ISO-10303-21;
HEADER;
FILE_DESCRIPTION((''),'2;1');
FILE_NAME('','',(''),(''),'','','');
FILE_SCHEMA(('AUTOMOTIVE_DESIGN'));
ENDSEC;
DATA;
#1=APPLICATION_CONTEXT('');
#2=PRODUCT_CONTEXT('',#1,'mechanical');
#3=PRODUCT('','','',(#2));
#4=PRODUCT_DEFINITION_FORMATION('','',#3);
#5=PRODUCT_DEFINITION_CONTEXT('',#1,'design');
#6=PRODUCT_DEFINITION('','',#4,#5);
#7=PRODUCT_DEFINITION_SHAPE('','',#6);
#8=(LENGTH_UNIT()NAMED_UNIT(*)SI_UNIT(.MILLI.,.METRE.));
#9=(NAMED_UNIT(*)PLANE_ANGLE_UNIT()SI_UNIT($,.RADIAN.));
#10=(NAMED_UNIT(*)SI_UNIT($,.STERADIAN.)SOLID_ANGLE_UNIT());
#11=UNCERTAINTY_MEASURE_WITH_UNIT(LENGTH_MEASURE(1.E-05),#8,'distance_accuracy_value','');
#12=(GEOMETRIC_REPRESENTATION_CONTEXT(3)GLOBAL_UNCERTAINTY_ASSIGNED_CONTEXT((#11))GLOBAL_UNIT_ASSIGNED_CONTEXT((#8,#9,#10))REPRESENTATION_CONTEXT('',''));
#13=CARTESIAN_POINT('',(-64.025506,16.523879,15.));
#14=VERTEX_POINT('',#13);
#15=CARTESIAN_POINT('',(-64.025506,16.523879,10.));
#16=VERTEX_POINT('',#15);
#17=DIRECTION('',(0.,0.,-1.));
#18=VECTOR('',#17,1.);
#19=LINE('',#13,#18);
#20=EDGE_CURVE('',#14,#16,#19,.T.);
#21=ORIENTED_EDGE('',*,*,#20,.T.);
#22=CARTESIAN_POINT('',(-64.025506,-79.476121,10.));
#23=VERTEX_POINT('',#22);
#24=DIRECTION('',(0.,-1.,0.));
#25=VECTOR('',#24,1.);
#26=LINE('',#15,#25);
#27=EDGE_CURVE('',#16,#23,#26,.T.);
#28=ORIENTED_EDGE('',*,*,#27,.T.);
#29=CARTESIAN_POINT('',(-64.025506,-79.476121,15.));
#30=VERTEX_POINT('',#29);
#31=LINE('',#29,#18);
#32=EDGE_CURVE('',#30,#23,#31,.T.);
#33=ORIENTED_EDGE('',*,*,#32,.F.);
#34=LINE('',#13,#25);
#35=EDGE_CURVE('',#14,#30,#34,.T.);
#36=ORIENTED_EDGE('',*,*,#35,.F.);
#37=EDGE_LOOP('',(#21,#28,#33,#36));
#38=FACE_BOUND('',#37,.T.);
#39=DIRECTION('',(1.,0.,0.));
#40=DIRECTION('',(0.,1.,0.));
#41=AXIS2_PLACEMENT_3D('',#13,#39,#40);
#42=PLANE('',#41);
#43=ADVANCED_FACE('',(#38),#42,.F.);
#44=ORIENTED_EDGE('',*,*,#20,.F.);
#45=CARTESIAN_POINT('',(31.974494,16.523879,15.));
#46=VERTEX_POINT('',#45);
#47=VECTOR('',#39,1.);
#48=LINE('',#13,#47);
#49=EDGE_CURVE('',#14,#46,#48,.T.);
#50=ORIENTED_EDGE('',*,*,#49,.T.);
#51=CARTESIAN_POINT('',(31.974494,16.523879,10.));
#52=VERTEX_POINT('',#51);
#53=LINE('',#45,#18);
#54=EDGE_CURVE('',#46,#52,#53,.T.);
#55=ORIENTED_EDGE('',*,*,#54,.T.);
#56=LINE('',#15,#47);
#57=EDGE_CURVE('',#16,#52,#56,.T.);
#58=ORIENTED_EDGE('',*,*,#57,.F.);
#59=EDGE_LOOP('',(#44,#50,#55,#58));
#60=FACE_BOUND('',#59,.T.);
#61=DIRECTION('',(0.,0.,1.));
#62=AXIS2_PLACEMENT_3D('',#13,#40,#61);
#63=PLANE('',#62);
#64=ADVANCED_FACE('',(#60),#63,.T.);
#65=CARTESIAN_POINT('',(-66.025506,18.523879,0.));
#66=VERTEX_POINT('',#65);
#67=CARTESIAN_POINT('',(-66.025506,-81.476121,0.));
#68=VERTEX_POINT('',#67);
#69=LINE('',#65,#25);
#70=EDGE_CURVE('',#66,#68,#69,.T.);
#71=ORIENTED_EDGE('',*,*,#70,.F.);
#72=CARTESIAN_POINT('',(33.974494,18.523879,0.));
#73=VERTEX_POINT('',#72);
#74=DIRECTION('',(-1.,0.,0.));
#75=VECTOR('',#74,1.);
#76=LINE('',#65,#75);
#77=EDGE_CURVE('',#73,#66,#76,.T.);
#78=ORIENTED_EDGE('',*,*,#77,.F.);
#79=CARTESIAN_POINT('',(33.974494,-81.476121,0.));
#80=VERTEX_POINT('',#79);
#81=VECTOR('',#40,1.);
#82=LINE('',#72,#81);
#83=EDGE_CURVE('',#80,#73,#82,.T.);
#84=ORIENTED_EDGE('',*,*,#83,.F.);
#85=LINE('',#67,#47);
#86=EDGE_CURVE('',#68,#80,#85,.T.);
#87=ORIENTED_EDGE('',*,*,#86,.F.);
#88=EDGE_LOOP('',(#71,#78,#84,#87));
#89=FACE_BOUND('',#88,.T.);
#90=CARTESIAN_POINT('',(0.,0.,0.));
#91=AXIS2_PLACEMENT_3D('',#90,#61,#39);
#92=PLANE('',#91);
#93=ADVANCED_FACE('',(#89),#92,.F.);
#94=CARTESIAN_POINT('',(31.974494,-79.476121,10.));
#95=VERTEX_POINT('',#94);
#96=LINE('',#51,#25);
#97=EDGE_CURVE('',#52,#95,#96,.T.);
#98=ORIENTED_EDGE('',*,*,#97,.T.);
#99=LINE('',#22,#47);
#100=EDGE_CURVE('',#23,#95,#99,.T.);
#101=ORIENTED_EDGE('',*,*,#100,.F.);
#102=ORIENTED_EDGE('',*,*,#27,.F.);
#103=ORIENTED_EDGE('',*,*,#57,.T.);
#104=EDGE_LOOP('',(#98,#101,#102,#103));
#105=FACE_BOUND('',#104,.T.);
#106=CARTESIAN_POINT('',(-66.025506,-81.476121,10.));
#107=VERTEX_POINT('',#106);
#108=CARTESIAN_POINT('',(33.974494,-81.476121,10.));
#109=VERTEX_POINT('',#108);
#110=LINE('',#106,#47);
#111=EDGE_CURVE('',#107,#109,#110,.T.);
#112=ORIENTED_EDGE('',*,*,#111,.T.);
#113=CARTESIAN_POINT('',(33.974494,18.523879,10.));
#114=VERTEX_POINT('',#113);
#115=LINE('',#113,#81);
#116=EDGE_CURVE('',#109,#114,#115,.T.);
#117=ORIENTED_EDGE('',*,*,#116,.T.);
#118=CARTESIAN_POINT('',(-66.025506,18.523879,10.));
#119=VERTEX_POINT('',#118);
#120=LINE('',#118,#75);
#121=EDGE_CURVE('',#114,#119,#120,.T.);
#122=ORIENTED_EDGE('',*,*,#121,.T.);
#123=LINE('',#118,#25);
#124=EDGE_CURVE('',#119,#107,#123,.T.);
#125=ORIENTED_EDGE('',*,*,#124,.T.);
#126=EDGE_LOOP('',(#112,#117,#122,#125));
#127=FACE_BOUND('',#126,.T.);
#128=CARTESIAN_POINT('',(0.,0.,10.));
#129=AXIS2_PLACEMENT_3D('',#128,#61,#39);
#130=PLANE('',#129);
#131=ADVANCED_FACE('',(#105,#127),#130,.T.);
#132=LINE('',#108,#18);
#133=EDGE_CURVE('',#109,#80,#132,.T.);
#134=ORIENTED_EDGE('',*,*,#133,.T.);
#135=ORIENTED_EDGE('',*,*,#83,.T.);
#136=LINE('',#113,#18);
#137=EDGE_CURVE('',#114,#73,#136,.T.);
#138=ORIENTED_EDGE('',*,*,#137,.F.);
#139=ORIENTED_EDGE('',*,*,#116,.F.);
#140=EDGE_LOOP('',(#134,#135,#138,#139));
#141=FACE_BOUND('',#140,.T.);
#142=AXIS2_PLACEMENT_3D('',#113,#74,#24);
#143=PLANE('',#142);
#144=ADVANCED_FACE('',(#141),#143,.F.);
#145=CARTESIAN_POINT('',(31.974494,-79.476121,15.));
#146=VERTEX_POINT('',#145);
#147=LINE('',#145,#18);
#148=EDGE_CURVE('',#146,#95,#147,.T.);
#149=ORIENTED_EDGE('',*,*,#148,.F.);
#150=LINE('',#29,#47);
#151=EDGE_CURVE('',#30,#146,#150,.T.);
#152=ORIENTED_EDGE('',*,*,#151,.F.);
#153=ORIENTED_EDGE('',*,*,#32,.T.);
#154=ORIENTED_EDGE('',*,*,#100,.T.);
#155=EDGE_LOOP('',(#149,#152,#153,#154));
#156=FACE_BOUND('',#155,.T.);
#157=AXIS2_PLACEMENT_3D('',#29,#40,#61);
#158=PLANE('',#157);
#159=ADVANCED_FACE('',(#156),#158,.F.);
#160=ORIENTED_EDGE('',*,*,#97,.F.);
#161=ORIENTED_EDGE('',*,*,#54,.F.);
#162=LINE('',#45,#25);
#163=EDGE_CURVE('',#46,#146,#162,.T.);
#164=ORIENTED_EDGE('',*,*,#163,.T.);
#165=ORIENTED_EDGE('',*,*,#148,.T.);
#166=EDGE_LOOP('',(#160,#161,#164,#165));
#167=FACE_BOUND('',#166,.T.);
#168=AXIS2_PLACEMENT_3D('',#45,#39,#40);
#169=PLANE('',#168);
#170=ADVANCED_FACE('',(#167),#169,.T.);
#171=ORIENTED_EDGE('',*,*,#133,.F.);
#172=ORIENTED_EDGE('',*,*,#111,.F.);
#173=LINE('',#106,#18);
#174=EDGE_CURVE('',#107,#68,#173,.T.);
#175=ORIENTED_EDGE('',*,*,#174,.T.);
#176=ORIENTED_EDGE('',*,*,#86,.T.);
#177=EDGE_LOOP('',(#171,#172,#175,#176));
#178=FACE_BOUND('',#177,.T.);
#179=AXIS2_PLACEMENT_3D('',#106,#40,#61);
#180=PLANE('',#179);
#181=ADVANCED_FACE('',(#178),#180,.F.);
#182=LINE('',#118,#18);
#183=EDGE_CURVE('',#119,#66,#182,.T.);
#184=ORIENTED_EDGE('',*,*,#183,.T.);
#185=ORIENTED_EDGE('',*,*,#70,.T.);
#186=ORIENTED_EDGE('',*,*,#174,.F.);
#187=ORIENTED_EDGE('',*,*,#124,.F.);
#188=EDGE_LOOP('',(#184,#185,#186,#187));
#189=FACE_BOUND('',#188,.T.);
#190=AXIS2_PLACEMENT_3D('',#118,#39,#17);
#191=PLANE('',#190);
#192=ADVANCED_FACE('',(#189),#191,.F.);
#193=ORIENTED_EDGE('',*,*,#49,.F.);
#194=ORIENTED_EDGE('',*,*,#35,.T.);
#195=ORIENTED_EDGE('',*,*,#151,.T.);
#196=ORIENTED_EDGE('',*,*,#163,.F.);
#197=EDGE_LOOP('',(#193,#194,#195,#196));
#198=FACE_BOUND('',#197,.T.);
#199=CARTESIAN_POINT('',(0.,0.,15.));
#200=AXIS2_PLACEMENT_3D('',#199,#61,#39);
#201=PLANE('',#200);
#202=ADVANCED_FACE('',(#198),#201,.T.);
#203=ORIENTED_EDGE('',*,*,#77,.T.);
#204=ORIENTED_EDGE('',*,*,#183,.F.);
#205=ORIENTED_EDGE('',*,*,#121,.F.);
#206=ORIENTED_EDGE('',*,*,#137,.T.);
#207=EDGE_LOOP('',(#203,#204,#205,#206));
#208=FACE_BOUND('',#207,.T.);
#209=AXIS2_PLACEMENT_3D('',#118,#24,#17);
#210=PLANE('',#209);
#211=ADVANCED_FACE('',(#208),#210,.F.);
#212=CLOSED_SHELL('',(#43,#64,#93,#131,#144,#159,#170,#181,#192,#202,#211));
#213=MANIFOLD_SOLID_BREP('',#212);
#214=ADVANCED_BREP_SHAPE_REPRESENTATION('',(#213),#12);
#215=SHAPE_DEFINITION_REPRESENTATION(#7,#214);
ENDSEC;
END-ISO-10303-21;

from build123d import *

# Parameters (mm, degrees)
SKETCH2_W           = 100
SKETCH2_H           = 100
BOSS_EXTRUDE1_DEPTH = 10
SKETCH3_W           = 96
SKETCH3_H           = 96
BOSS_EXTRUDE2_DEPTH = 5


with BuildPart() as part:
    # Sketch2 → Boss-Extrude1 (new body)
    with BuildSketch(Plane.XY):
        with Locations((-16.025505931, -31.476121393)):
            Rectangle(SKETCH2_W, SKETCH2_H)
    extrude(amount=BOSS_EXTRUDE1_DEPTH)

    # Sketch3 → Boss-Extrude2 (add)
    with BuildSketch(Plane.XY.offset(10)):
        with Locations((-16.025505931, -31.476121393)):
            Rectangle(SKETCH3_W, SKETCH3_H)
    extrude(amount=BOSS_EXTRUDE2_DEPTH)


solid = part.part
